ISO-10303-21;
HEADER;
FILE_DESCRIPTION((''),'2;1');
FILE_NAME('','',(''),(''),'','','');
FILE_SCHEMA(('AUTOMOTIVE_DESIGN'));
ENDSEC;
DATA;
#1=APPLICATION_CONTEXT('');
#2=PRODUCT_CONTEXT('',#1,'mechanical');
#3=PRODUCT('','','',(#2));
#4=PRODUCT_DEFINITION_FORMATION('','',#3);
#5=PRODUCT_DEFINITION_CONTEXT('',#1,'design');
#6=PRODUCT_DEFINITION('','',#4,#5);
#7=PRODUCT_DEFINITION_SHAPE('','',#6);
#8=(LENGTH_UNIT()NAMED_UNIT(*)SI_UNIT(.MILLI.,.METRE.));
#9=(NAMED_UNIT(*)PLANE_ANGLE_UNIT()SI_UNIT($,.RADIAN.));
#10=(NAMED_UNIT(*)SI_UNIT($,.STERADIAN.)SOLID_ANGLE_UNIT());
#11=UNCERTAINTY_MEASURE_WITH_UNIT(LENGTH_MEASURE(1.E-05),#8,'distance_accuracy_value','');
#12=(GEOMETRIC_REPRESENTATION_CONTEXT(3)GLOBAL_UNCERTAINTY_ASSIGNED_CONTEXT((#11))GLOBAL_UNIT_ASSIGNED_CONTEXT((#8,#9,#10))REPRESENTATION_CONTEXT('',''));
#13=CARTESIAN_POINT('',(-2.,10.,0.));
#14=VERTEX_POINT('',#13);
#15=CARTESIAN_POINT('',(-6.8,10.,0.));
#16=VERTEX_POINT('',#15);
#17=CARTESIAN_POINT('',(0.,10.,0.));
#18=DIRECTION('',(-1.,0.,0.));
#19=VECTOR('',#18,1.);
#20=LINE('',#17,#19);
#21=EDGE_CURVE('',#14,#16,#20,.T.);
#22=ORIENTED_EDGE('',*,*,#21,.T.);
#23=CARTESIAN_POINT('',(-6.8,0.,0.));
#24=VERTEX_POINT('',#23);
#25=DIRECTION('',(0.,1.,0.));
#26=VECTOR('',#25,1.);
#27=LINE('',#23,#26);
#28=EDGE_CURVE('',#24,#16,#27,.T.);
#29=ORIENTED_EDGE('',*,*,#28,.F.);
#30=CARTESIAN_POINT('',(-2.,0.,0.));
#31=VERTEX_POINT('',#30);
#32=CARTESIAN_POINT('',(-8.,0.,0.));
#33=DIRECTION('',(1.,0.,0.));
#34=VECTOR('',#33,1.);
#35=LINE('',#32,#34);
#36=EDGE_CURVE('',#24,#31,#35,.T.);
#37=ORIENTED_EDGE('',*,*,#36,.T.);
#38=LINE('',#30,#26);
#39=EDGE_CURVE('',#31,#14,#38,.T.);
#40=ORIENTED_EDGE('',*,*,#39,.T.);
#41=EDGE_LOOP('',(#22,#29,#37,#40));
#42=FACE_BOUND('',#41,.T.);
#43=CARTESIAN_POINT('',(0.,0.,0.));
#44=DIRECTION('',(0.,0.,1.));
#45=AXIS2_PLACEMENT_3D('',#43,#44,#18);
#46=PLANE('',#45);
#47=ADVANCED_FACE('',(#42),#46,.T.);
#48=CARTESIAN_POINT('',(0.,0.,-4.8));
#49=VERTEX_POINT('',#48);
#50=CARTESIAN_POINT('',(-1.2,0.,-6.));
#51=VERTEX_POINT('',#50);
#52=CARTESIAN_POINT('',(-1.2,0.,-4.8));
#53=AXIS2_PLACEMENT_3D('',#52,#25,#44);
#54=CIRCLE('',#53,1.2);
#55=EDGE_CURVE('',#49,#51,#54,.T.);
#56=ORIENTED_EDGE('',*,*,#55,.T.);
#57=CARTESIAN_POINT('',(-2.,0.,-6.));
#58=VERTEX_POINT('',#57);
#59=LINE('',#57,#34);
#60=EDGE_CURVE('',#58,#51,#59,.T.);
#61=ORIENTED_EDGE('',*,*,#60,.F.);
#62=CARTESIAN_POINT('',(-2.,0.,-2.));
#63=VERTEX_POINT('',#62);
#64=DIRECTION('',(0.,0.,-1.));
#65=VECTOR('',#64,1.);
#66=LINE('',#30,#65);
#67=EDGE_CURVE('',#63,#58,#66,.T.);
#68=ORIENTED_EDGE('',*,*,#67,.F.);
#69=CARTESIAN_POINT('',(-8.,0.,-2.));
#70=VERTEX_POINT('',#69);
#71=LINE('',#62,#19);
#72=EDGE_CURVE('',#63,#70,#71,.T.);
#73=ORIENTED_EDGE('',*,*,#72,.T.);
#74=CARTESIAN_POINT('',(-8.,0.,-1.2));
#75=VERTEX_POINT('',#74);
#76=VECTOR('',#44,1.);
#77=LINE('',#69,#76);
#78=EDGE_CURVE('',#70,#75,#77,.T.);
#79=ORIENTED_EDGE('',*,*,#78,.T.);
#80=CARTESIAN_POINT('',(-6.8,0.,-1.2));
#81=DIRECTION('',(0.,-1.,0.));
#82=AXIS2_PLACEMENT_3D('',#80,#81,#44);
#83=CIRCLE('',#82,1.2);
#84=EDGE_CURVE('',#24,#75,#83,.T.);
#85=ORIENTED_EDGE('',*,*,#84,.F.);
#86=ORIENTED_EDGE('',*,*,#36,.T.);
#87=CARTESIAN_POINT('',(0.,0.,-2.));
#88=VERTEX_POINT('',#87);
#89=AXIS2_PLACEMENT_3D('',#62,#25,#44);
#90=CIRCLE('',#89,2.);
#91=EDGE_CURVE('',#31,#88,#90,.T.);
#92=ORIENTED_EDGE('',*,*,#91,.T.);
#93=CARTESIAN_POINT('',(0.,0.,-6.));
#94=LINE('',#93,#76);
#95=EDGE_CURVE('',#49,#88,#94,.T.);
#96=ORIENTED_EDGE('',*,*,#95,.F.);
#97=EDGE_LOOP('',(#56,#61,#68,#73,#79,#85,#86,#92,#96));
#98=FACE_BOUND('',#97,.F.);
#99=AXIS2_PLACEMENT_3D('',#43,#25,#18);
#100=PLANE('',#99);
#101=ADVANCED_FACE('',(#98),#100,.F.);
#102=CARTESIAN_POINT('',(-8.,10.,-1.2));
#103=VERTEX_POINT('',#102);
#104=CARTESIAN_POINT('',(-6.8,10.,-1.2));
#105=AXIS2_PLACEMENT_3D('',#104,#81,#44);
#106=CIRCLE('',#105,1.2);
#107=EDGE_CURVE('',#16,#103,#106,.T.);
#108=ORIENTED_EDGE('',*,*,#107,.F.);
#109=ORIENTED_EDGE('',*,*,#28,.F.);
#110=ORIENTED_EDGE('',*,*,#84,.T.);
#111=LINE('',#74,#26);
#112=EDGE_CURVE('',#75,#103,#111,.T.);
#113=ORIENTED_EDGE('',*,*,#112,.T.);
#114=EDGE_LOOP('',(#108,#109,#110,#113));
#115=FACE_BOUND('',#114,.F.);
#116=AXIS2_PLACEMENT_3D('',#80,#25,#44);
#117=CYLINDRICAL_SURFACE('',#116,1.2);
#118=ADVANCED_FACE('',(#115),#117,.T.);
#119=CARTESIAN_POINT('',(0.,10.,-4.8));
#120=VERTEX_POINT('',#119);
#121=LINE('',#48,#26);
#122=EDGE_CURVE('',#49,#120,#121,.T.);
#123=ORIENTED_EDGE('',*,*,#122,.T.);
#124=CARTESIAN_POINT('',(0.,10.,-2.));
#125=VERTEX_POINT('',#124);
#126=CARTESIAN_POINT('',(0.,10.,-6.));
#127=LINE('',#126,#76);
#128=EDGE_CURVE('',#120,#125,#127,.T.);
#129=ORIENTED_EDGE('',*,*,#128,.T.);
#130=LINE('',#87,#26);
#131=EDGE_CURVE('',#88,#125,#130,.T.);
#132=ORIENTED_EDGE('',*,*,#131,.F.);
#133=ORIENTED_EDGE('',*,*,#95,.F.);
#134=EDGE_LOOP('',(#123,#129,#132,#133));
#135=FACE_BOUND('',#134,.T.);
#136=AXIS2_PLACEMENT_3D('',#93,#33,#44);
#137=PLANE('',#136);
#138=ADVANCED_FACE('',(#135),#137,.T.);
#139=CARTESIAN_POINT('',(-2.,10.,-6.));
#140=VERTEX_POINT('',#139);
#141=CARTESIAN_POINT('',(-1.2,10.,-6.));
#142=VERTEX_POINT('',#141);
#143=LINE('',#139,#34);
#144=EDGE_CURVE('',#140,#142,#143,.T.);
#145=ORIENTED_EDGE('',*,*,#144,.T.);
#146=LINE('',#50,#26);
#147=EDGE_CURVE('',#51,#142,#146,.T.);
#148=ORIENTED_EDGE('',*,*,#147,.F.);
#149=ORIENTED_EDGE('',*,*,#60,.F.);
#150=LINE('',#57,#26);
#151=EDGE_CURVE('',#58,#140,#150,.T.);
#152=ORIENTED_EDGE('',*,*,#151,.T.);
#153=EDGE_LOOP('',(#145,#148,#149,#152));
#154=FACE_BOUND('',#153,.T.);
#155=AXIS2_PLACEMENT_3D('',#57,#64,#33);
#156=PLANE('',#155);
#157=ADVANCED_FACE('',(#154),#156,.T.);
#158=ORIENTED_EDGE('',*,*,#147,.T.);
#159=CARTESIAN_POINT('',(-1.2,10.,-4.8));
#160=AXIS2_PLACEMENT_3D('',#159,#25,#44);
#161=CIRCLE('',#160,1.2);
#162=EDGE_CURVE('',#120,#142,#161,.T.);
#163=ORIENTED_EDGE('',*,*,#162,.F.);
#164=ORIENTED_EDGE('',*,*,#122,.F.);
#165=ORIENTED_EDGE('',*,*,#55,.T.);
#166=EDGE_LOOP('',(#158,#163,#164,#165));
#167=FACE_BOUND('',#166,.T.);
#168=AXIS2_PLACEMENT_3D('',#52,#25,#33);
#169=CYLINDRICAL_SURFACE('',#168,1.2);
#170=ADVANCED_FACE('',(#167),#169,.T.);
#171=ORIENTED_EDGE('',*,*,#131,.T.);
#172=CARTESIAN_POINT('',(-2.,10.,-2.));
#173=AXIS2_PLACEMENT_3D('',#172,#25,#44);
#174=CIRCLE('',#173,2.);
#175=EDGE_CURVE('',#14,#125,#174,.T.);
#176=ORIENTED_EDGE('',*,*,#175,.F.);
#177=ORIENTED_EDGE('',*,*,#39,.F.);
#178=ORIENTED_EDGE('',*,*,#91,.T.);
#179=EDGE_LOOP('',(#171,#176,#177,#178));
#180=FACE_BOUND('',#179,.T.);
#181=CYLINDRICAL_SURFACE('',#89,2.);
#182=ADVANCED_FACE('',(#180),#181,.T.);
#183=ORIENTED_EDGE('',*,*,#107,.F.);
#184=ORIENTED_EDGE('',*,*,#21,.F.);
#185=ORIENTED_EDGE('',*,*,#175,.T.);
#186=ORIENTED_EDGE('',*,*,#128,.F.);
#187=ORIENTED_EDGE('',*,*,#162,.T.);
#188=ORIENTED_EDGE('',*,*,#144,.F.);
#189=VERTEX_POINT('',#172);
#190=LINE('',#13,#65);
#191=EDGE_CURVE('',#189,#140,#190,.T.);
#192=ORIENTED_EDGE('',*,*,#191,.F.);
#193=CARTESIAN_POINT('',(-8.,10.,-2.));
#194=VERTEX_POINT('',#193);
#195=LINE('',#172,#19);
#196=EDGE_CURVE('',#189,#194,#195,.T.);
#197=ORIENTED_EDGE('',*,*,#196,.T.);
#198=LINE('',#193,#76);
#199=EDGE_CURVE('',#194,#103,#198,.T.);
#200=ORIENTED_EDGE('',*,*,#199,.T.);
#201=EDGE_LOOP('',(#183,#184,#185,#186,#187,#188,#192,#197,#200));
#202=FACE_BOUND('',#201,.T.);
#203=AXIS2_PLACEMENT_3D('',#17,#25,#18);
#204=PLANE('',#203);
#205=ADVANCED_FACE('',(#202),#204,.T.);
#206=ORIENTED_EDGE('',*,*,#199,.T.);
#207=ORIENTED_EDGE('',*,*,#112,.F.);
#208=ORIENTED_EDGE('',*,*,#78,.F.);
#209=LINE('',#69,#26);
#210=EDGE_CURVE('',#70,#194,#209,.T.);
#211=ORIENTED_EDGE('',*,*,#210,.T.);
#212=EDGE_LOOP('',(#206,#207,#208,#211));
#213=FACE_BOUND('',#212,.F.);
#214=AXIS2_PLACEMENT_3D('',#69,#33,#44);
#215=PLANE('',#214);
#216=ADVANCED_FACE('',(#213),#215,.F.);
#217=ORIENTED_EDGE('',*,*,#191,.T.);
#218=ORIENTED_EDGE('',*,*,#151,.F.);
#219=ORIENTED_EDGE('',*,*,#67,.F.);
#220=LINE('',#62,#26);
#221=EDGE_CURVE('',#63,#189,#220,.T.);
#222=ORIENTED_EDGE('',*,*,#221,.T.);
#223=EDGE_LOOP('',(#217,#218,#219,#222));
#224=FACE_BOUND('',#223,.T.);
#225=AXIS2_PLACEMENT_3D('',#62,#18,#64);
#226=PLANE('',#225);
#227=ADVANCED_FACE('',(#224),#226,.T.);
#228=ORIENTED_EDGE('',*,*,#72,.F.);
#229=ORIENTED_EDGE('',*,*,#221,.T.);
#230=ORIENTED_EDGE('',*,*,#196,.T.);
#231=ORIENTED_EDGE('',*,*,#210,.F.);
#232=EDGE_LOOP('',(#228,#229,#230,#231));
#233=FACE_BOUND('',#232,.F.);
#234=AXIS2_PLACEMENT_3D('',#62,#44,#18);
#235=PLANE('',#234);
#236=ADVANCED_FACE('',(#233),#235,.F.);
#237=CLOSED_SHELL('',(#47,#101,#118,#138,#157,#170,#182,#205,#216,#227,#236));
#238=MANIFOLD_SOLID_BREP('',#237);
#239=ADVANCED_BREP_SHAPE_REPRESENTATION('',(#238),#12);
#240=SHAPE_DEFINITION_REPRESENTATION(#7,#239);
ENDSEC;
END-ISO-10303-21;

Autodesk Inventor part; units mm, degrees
ref_plane "YZ Plane" through (0, 0, 0) normal (1, 0, 0) x (0, 1, 0)
ref_plane "XZ Plane" through (0, 0, 0) normal (0, 1, 0) x (-1, 0, 0)
ref_plane "XY Plane" through (0, 0, 0) normal (0, 0, 1) x (1, 0, 0)
sketch "스케치1" plane through (0, 0, 0) normal (0, 1, 0) x (-1, 0, 0)
  line L0 (0, 0) -> (2, 0)
  line L1 (2, 0) -> (2, -6)
  line L2 (2, -6) -> (0, -6)
  line L3 (0, -6) -> (0, 0)
  line L4 (2, -2) -> (8, -2)
  line L5 (8, -2) -> (8, 0)
  line L6 (8, 0) -> (2, 0)
  line L7 (2, 0) -> (2, -2)
  point P0 (1, -6)
  dimension "d0" = 6
  dimension "d1" = 4
  dimension "d2" = 2
  dimension "d3" = 2
extrude "돌출1" add sketch "스케치1" along normal blind 10
fillet "모깎기1" radius 2 1 edges at (0, 5, 0)
fillet "모깎기2" radius 1.2 2 edges at (0, 5, -6) (-8, 5, 0)
properties part number "F4-freeze"
